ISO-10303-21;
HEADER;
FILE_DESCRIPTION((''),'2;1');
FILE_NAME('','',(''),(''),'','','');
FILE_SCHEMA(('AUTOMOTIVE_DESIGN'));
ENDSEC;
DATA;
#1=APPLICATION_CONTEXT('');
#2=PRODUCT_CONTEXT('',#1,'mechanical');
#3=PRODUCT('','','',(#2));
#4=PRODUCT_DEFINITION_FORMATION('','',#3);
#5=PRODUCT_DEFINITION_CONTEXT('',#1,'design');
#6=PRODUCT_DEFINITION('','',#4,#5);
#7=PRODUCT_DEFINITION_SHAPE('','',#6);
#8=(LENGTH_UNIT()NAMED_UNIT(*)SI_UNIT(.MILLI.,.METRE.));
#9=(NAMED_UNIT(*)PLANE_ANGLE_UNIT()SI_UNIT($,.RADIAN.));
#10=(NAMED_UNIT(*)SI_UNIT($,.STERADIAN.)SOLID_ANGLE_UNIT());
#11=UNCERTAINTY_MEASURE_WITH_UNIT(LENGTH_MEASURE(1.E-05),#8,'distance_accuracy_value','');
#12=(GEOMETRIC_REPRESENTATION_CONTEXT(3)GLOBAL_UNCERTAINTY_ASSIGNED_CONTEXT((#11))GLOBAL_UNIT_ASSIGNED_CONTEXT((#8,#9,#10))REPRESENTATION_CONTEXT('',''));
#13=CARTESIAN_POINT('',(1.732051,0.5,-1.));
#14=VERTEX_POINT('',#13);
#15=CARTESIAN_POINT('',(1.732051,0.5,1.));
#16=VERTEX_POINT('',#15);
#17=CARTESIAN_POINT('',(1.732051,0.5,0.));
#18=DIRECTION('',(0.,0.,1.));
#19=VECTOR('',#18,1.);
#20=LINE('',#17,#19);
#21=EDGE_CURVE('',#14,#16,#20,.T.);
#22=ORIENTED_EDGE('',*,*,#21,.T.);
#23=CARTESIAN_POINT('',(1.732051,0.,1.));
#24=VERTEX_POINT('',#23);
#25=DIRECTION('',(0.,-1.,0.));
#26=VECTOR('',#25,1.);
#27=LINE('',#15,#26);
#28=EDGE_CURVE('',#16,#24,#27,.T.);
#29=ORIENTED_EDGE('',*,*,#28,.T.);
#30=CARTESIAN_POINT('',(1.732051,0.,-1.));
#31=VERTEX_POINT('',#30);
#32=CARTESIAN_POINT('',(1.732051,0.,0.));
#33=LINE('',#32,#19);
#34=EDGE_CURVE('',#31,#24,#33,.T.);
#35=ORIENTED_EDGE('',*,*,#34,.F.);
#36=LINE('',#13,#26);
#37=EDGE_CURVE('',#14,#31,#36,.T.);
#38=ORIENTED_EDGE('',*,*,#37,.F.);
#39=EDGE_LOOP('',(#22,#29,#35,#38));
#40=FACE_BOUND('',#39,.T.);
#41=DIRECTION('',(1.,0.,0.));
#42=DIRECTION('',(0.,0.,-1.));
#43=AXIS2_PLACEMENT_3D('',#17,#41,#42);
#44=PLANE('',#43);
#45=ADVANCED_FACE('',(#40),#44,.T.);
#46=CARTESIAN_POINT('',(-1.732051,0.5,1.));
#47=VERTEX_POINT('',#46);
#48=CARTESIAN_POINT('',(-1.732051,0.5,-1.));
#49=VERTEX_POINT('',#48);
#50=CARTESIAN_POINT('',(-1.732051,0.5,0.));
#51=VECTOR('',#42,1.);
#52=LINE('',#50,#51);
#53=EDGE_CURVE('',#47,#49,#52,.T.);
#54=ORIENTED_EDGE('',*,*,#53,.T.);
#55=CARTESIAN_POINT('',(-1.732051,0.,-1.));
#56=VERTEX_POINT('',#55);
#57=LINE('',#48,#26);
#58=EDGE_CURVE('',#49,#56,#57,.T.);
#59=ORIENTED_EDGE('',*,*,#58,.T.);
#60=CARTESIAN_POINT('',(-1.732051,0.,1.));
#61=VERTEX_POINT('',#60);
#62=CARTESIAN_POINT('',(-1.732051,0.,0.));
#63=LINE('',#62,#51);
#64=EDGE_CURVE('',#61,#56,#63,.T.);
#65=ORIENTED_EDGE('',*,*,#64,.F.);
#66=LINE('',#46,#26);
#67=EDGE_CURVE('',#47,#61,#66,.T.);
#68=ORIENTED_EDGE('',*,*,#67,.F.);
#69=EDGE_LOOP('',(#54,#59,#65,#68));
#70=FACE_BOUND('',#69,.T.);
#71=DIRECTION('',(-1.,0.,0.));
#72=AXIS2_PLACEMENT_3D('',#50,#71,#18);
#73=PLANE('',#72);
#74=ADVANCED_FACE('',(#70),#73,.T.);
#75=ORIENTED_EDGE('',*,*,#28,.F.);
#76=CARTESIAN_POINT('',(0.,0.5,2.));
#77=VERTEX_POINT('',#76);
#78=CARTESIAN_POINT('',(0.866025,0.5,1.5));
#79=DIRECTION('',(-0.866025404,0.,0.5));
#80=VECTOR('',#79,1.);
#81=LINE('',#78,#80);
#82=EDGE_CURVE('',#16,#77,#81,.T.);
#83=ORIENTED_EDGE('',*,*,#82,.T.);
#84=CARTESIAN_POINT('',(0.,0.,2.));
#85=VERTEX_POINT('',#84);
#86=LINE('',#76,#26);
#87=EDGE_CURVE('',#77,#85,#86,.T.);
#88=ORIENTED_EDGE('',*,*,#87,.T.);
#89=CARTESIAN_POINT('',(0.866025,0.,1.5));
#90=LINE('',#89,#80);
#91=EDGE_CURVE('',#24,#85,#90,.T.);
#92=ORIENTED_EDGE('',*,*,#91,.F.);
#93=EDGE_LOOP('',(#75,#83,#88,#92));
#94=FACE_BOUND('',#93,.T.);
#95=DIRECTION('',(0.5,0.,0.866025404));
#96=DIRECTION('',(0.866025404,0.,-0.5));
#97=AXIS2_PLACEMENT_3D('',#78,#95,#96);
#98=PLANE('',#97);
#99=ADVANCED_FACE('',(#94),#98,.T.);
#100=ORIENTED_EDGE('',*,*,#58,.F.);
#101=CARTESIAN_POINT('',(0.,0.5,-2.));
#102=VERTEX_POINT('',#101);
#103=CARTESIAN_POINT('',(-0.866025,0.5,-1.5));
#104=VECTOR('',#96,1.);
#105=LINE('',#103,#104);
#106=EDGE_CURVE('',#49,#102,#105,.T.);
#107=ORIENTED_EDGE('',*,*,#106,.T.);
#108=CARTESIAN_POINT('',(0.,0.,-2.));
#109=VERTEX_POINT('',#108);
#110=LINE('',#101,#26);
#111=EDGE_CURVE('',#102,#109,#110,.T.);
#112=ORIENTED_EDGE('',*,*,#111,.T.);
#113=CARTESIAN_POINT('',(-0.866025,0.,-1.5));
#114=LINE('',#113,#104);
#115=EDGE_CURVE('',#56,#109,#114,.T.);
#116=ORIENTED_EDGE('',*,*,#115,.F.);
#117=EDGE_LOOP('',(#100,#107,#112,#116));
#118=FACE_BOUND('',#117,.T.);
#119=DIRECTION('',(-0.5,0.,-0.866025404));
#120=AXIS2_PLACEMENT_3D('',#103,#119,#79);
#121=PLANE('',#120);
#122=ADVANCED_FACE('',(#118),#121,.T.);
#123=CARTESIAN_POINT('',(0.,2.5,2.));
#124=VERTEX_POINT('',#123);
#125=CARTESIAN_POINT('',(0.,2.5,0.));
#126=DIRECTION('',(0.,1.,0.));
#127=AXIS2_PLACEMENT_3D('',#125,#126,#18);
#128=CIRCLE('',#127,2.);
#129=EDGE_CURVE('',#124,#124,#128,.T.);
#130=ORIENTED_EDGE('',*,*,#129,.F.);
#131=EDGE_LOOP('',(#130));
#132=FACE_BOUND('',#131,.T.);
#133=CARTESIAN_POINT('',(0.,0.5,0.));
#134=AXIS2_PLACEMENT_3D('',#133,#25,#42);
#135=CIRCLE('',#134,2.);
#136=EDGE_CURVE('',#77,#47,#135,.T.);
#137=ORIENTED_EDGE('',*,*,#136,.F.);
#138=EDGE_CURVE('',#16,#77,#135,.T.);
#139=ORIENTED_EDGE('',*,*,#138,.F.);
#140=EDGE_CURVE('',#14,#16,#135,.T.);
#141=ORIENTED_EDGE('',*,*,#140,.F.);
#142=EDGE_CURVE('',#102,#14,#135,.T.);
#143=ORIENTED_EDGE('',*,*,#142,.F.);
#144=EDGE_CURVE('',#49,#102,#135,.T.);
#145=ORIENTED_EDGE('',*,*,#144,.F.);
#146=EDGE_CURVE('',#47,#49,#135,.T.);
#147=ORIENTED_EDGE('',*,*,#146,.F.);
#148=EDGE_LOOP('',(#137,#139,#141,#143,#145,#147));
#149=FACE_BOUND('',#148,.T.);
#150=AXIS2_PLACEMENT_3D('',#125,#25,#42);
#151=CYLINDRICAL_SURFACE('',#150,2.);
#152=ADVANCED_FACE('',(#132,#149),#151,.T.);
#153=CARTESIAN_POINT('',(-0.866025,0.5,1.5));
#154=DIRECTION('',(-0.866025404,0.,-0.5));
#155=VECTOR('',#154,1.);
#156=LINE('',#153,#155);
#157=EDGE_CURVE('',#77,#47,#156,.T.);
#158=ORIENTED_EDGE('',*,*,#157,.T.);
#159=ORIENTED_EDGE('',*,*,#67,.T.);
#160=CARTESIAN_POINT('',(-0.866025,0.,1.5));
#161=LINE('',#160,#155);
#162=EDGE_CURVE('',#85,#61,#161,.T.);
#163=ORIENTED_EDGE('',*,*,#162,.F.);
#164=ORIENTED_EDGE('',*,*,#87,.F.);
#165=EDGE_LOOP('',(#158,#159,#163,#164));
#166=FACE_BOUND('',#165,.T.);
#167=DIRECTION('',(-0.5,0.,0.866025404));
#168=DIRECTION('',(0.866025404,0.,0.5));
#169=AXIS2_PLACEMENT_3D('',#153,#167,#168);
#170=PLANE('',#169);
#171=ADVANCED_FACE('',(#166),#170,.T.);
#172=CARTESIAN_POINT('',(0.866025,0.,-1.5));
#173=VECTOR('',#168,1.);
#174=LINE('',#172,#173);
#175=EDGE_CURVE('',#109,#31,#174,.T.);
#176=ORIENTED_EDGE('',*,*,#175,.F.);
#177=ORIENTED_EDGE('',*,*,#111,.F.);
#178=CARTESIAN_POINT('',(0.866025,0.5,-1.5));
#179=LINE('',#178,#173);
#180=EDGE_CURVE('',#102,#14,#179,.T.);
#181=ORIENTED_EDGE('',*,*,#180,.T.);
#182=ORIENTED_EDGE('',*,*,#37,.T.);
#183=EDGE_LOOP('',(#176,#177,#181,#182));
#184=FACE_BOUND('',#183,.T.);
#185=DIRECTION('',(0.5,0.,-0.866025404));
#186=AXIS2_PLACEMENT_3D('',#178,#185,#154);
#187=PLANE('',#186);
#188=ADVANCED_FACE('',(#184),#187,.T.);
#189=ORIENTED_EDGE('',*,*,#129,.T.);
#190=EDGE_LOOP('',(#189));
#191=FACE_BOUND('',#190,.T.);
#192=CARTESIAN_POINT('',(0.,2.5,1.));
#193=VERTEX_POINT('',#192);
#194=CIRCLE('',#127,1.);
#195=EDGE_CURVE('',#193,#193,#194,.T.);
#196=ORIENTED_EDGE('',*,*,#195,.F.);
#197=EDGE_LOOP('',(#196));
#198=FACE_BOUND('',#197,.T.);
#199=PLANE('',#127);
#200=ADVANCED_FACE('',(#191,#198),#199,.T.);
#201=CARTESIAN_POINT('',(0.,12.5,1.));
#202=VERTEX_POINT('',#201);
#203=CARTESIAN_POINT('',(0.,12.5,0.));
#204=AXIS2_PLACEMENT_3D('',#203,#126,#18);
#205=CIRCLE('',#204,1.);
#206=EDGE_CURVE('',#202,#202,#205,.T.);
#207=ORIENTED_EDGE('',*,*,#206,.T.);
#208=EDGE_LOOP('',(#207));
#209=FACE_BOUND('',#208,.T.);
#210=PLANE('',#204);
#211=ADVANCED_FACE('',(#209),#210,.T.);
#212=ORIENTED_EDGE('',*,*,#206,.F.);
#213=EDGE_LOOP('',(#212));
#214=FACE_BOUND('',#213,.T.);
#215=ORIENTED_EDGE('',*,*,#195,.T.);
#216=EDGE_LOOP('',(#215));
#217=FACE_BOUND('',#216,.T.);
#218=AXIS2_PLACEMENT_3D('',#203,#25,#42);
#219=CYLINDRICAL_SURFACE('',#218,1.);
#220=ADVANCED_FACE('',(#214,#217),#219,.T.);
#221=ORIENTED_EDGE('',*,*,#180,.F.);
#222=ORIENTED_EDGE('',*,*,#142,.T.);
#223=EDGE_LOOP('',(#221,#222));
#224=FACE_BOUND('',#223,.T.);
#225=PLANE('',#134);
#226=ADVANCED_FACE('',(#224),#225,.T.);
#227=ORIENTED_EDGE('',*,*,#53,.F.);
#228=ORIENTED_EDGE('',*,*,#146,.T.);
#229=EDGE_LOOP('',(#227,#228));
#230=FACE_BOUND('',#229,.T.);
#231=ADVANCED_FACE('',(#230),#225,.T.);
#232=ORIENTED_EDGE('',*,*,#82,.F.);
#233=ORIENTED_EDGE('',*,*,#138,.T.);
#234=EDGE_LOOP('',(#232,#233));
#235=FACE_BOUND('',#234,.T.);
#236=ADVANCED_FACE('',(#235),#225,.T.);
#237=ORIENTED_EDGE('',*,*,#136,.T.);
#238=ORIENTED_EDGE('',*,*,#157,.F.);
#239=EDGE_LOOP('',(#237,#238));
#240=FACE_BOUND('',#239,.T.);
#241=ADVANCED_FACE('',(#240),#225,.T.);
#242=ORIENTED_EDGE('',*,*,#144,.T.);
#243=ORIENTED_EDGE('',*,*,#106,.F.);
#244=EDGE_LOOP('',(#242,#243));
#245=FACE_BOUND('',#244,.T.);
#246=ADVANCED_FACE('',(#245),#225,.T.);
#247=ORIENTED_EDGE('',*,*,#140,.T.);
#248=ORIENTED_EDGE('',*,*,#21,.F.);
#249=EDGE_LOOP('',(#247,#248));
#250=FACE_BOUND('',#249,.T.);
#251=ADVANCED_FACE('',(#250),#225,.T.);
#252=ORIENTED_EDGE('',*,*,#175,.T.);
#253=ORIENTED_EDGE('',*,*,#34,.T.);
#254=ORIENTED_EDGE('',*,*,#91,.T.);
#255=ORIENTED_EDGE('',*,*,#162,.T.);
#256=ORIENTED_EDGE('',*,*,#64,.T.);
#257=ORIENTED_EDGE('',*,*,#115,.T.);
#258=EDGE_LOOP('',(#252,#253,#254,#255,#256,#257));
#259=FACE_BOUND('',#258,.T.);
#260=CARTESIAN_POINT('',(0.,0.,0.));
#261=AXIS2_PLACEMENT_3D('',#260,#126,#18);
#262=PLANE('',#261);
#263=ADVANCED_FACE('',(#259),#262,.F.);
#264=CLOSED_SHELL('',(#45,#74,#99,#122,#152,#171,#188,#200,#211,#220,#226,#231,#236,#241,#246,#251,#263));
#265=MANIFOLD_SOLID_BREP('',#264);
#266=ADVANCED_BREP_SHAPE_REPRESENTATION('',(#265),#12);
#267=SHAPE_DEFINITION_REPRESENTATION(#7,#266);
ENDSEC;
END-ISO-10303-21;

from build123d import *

# Parameters (mm, degrees)
SKETCH1_R           = 2
BOSS_EXTRUDE1_DEPTH = 2.5
SKETCH2_R           = 1
BOSS_EXTRUDE2_DEPTH = 10
CUT_EXTRUDE3_DEPTH  = 0.5


with BuildPart() as part:
    # Sketch1 → Boss-Extrude1 (new body)
    with BuildSketch(Plane(origin=(0, 0, 0), x_dir=(1, 0, 0), z_dir=(0, 1, 0))):
        Circle(SKETCH1_R)
    extrude(amount=BOSS_EXTRUDE1_DEPTH)

    # Sketch2 → Boss-Extrude2 (add)
    with BuildSketch(Plane(origin=(0, 2.5, 0), x_dir=(1, 0, 0), z_dir=(0, 1, 0))):
        Circle(SKETCH2_R)
    extrude(amount=BOSS_EXTRUDE2_DEPTH)

    # Sketch3 → Cut-Extrude3 (cut)
    with BuildSketch(Plane.XZ):
        with BuildLine():
            Line((-1.732050808, 1), (0, 2))
            ThreePointArc((0, 2), (-1, 1.732050808), (-1.732050808, 1))
        make_face()
        with BuildLine():
            Line((-1.732050808, -1), (-1.732050808, 1))
            ThreePointArc((-1.732050808, 1), (-2, 0), (-1.732050808, -1))
        make_face()
        with BuildLine():
            Line((0, -2), (-1.732050808, -1))
            ThreePointArc((-1.732050808, -1), (-1, -1.732050808), (0, -2))
        make_face()
        with BuildLine():
            ThreePointArc((0, -2), (1, -1.732050808), (1.732050808, -1))
            Line((1.732050808, -1), (0, -2))
        make_face()
        with BuildLine():
            ThreePointArc((2, 0), (1.931851653, 0.51763809), (1.732050808, 1))
            Line((1.732050808, 1), (1.732050808, -1))
            ThreePointArc((1.732050808, -1), (1.931851653, -0.51763809), (2, 0))
        make_face()
        with BuildLine():
            ThreePointArc((1.732050808, 1), (1, 1.732050808), (0, 2))
            Line((0, 2), (1.732050808, 1))
        make_face()
    extrude(amount=-CUT_EXTRUDE3_DEPTH, mode=Mode.SUBTRACT)


solid = part.part
